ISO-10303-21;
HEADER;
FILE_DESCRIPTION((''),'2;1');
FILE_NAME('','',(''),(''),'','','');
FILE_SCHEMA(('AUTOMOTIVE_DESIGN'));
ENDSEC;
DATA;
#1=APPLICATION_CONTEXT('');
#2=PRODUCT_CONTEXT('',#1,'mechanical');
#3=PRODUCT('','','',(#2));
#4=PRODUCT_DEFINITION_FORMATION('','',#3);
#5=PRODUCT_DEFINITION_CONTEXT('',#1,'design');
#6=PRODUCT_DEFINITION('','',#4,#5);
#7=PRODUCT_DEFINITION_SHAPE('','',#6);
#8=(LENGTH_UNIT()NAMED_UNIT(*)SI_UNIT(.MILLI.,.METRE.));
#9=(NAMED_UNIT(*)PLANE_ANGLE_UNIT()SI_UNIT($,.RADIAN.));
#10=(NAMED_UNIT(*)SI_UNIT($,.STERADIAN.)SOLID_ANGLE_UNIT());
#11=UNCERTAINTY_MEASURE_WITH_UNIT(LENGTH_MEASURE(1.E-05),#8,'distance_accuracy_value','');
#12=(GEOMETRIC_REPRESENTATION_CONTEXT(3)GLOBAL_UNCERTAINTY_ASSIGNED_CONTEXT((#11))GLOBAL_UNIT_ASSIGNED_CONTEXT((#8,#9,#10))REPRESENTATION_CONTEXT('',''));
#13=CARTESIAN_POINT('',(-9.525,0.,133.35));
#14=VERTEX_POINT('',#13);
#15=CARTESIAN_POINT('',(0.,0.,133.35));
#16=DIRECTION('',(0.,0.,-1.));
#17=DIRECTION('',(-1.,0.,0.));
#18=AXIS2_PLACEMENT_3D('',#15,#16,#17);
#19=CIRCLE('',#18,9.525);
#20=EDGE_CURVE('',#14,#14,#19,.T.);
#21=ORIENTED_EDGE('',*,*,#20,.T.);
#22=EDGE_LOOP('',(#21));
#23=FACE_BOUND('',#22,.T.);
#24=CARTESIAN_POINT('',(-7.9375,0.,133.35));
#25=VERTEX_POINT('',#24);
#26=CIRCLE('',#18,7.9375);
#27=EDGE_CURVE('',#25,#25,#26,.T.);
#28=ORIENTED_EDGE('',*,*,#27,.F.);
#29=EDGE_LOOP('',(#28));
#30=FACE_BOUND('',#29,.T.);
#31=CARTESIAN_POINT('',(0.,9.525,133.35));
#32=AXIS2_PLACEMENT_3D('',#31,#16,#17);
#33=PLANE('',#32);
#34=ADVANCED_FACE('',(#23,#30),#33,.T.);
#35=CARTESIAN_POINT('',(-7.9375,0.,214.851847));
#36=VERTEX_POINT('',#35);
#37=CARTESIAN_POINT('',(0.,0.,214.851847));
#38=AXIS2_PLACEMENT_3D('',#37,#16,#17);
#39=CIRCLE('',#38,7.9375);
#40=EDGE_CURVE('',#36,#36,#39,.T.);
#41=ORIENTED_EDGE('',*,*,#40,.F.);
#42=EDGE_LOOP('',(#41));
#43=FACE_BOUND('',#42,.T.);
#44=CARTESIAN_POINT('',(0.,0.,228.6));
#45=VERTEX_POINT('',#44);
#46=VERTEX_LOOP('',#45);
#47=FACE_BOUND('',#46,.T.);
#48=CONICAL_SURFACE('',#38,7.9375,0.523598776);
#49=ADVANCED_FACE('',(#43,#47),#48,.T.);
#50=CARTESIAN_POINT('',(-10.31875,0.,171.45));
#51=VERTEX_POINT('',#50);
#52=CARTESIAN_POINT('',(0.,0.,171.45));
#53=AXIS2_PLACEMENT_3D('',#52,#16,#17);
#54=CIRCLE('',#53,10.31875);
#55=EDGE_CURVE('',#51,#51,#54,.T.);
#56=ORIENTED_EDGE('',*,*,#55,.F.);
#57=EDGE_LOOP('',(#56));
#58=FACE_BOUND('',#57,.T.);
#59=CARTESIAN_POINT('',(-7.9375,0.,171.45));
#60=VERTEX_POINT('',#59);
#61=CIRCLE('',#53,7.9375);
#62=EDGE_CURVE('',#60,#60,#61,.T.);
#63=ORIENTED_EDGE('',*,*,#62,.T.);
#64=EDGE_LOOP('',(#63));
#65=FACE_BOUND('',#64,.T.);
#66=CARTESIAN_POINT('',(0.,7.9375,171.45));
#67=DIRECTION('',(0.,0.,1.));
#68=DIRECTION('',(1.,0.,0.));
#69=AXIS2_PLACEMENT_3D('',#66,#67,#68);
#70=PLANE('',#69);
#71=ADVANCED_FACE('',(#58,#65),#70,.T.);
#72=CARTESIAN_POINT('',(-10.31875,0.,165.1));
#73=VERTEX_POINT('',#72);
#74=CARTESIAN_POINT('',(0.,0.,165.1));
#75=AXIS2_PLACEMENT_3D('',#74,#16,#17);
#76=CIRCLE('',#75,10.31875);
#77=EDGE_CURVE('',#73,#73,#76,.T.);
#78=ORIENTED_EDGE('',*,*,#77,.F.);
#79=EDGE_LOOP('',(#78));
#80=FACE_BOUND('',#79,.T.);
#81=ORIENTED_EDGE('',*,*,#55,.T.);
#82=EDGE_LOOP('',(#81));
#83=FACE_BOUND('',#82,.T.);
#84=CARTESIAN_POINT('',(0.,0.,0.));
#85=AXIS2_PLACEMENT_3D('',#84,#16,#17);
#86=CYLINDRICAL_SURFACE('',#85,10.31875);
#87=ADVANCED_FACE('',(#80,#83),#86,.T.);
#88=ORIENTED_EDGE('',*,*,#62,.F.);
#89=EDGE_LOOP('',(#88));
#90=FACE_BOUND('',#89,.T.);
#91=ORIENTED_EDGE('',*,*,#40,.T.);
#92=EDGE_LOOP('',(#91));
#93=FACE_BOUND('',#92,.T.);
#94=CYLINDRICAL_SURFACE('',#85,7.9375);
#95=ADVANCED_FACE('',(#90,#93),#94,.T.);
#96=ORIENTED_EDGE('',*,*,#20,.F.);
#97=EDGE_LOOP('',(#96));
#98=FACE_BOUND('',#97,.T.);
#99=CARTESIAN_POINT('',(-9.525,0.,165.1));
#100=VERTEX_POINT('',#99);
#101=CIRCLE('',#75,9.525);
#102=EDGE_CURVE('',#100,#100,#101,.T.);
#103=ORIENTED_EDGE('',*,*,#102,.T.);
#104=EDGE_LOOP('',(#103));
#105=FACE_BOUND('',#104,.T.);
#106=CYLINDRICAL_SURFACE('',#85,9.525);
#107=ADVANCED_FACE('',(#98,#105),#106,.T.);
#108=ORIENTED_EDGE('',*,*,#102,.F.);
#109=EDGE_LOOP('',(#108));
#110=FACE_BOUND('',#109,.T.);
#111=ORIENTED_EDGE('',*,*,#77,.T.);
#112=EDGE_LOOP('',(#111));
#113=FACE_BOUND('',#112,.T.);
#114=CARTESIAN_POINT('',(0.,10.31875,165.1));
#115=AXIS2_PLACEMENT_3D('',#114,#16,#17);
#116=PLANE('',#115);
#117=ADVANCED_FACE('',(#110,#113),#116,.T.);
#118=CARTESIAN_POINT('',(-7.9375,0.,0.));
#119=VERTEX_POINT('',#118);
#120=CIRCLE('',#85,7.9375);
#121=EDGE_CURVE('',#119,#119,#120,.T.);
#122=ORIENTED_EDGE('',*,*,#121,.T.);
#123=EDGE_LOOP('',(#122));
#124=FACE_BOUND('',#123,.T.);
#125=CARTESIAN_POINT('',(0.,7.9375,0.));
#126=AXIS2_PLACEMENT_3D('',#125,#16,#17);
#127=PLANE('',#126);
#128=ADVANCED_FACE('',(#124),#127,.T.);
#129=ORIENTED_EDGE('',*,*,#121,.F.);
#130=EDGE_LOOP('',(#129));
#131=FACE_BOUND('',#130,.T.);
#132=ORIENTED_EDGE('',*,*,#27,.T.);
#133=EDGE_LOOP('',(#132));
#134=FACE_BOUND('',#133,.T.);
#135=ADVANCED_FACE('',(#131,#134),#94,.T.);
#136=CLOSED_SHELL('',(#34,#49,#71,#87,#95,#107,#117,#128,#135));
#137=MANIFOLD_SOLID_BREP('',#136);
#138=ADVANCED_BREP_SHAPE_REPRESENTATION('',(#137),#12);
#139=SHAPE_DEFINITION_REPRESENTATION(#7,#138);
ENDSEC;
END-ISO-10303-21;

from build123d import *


with BuildPart() as part:
    # Sketch3 → Revolve2 (revolve)
    with BuildSketch(Plane(origin=(0, 0, 0), x_dir=(0, 0, -1), z_dir=(1, 0, 0)), mode=Mode.PRIVATE) as revolve2_sk:
        Polygon((-214.851846715, 7.9375), (-228.6, 0), (0, 0), (0, 7.9375), (-133.35, 7.9375), (-133.35, 9.525), (-165.1, 9.525), (-165.1, 10.31875), (-171.45, 10.31875), (-171.45, 7.9375), align=None)
    revolve(revolve2_sk.sketch.rotate(Axis((0, 0, 0), (0, 0, 1)), 90), axis=Axis((0, 0, 0), (0, 0, 1)))


solid = part.part
